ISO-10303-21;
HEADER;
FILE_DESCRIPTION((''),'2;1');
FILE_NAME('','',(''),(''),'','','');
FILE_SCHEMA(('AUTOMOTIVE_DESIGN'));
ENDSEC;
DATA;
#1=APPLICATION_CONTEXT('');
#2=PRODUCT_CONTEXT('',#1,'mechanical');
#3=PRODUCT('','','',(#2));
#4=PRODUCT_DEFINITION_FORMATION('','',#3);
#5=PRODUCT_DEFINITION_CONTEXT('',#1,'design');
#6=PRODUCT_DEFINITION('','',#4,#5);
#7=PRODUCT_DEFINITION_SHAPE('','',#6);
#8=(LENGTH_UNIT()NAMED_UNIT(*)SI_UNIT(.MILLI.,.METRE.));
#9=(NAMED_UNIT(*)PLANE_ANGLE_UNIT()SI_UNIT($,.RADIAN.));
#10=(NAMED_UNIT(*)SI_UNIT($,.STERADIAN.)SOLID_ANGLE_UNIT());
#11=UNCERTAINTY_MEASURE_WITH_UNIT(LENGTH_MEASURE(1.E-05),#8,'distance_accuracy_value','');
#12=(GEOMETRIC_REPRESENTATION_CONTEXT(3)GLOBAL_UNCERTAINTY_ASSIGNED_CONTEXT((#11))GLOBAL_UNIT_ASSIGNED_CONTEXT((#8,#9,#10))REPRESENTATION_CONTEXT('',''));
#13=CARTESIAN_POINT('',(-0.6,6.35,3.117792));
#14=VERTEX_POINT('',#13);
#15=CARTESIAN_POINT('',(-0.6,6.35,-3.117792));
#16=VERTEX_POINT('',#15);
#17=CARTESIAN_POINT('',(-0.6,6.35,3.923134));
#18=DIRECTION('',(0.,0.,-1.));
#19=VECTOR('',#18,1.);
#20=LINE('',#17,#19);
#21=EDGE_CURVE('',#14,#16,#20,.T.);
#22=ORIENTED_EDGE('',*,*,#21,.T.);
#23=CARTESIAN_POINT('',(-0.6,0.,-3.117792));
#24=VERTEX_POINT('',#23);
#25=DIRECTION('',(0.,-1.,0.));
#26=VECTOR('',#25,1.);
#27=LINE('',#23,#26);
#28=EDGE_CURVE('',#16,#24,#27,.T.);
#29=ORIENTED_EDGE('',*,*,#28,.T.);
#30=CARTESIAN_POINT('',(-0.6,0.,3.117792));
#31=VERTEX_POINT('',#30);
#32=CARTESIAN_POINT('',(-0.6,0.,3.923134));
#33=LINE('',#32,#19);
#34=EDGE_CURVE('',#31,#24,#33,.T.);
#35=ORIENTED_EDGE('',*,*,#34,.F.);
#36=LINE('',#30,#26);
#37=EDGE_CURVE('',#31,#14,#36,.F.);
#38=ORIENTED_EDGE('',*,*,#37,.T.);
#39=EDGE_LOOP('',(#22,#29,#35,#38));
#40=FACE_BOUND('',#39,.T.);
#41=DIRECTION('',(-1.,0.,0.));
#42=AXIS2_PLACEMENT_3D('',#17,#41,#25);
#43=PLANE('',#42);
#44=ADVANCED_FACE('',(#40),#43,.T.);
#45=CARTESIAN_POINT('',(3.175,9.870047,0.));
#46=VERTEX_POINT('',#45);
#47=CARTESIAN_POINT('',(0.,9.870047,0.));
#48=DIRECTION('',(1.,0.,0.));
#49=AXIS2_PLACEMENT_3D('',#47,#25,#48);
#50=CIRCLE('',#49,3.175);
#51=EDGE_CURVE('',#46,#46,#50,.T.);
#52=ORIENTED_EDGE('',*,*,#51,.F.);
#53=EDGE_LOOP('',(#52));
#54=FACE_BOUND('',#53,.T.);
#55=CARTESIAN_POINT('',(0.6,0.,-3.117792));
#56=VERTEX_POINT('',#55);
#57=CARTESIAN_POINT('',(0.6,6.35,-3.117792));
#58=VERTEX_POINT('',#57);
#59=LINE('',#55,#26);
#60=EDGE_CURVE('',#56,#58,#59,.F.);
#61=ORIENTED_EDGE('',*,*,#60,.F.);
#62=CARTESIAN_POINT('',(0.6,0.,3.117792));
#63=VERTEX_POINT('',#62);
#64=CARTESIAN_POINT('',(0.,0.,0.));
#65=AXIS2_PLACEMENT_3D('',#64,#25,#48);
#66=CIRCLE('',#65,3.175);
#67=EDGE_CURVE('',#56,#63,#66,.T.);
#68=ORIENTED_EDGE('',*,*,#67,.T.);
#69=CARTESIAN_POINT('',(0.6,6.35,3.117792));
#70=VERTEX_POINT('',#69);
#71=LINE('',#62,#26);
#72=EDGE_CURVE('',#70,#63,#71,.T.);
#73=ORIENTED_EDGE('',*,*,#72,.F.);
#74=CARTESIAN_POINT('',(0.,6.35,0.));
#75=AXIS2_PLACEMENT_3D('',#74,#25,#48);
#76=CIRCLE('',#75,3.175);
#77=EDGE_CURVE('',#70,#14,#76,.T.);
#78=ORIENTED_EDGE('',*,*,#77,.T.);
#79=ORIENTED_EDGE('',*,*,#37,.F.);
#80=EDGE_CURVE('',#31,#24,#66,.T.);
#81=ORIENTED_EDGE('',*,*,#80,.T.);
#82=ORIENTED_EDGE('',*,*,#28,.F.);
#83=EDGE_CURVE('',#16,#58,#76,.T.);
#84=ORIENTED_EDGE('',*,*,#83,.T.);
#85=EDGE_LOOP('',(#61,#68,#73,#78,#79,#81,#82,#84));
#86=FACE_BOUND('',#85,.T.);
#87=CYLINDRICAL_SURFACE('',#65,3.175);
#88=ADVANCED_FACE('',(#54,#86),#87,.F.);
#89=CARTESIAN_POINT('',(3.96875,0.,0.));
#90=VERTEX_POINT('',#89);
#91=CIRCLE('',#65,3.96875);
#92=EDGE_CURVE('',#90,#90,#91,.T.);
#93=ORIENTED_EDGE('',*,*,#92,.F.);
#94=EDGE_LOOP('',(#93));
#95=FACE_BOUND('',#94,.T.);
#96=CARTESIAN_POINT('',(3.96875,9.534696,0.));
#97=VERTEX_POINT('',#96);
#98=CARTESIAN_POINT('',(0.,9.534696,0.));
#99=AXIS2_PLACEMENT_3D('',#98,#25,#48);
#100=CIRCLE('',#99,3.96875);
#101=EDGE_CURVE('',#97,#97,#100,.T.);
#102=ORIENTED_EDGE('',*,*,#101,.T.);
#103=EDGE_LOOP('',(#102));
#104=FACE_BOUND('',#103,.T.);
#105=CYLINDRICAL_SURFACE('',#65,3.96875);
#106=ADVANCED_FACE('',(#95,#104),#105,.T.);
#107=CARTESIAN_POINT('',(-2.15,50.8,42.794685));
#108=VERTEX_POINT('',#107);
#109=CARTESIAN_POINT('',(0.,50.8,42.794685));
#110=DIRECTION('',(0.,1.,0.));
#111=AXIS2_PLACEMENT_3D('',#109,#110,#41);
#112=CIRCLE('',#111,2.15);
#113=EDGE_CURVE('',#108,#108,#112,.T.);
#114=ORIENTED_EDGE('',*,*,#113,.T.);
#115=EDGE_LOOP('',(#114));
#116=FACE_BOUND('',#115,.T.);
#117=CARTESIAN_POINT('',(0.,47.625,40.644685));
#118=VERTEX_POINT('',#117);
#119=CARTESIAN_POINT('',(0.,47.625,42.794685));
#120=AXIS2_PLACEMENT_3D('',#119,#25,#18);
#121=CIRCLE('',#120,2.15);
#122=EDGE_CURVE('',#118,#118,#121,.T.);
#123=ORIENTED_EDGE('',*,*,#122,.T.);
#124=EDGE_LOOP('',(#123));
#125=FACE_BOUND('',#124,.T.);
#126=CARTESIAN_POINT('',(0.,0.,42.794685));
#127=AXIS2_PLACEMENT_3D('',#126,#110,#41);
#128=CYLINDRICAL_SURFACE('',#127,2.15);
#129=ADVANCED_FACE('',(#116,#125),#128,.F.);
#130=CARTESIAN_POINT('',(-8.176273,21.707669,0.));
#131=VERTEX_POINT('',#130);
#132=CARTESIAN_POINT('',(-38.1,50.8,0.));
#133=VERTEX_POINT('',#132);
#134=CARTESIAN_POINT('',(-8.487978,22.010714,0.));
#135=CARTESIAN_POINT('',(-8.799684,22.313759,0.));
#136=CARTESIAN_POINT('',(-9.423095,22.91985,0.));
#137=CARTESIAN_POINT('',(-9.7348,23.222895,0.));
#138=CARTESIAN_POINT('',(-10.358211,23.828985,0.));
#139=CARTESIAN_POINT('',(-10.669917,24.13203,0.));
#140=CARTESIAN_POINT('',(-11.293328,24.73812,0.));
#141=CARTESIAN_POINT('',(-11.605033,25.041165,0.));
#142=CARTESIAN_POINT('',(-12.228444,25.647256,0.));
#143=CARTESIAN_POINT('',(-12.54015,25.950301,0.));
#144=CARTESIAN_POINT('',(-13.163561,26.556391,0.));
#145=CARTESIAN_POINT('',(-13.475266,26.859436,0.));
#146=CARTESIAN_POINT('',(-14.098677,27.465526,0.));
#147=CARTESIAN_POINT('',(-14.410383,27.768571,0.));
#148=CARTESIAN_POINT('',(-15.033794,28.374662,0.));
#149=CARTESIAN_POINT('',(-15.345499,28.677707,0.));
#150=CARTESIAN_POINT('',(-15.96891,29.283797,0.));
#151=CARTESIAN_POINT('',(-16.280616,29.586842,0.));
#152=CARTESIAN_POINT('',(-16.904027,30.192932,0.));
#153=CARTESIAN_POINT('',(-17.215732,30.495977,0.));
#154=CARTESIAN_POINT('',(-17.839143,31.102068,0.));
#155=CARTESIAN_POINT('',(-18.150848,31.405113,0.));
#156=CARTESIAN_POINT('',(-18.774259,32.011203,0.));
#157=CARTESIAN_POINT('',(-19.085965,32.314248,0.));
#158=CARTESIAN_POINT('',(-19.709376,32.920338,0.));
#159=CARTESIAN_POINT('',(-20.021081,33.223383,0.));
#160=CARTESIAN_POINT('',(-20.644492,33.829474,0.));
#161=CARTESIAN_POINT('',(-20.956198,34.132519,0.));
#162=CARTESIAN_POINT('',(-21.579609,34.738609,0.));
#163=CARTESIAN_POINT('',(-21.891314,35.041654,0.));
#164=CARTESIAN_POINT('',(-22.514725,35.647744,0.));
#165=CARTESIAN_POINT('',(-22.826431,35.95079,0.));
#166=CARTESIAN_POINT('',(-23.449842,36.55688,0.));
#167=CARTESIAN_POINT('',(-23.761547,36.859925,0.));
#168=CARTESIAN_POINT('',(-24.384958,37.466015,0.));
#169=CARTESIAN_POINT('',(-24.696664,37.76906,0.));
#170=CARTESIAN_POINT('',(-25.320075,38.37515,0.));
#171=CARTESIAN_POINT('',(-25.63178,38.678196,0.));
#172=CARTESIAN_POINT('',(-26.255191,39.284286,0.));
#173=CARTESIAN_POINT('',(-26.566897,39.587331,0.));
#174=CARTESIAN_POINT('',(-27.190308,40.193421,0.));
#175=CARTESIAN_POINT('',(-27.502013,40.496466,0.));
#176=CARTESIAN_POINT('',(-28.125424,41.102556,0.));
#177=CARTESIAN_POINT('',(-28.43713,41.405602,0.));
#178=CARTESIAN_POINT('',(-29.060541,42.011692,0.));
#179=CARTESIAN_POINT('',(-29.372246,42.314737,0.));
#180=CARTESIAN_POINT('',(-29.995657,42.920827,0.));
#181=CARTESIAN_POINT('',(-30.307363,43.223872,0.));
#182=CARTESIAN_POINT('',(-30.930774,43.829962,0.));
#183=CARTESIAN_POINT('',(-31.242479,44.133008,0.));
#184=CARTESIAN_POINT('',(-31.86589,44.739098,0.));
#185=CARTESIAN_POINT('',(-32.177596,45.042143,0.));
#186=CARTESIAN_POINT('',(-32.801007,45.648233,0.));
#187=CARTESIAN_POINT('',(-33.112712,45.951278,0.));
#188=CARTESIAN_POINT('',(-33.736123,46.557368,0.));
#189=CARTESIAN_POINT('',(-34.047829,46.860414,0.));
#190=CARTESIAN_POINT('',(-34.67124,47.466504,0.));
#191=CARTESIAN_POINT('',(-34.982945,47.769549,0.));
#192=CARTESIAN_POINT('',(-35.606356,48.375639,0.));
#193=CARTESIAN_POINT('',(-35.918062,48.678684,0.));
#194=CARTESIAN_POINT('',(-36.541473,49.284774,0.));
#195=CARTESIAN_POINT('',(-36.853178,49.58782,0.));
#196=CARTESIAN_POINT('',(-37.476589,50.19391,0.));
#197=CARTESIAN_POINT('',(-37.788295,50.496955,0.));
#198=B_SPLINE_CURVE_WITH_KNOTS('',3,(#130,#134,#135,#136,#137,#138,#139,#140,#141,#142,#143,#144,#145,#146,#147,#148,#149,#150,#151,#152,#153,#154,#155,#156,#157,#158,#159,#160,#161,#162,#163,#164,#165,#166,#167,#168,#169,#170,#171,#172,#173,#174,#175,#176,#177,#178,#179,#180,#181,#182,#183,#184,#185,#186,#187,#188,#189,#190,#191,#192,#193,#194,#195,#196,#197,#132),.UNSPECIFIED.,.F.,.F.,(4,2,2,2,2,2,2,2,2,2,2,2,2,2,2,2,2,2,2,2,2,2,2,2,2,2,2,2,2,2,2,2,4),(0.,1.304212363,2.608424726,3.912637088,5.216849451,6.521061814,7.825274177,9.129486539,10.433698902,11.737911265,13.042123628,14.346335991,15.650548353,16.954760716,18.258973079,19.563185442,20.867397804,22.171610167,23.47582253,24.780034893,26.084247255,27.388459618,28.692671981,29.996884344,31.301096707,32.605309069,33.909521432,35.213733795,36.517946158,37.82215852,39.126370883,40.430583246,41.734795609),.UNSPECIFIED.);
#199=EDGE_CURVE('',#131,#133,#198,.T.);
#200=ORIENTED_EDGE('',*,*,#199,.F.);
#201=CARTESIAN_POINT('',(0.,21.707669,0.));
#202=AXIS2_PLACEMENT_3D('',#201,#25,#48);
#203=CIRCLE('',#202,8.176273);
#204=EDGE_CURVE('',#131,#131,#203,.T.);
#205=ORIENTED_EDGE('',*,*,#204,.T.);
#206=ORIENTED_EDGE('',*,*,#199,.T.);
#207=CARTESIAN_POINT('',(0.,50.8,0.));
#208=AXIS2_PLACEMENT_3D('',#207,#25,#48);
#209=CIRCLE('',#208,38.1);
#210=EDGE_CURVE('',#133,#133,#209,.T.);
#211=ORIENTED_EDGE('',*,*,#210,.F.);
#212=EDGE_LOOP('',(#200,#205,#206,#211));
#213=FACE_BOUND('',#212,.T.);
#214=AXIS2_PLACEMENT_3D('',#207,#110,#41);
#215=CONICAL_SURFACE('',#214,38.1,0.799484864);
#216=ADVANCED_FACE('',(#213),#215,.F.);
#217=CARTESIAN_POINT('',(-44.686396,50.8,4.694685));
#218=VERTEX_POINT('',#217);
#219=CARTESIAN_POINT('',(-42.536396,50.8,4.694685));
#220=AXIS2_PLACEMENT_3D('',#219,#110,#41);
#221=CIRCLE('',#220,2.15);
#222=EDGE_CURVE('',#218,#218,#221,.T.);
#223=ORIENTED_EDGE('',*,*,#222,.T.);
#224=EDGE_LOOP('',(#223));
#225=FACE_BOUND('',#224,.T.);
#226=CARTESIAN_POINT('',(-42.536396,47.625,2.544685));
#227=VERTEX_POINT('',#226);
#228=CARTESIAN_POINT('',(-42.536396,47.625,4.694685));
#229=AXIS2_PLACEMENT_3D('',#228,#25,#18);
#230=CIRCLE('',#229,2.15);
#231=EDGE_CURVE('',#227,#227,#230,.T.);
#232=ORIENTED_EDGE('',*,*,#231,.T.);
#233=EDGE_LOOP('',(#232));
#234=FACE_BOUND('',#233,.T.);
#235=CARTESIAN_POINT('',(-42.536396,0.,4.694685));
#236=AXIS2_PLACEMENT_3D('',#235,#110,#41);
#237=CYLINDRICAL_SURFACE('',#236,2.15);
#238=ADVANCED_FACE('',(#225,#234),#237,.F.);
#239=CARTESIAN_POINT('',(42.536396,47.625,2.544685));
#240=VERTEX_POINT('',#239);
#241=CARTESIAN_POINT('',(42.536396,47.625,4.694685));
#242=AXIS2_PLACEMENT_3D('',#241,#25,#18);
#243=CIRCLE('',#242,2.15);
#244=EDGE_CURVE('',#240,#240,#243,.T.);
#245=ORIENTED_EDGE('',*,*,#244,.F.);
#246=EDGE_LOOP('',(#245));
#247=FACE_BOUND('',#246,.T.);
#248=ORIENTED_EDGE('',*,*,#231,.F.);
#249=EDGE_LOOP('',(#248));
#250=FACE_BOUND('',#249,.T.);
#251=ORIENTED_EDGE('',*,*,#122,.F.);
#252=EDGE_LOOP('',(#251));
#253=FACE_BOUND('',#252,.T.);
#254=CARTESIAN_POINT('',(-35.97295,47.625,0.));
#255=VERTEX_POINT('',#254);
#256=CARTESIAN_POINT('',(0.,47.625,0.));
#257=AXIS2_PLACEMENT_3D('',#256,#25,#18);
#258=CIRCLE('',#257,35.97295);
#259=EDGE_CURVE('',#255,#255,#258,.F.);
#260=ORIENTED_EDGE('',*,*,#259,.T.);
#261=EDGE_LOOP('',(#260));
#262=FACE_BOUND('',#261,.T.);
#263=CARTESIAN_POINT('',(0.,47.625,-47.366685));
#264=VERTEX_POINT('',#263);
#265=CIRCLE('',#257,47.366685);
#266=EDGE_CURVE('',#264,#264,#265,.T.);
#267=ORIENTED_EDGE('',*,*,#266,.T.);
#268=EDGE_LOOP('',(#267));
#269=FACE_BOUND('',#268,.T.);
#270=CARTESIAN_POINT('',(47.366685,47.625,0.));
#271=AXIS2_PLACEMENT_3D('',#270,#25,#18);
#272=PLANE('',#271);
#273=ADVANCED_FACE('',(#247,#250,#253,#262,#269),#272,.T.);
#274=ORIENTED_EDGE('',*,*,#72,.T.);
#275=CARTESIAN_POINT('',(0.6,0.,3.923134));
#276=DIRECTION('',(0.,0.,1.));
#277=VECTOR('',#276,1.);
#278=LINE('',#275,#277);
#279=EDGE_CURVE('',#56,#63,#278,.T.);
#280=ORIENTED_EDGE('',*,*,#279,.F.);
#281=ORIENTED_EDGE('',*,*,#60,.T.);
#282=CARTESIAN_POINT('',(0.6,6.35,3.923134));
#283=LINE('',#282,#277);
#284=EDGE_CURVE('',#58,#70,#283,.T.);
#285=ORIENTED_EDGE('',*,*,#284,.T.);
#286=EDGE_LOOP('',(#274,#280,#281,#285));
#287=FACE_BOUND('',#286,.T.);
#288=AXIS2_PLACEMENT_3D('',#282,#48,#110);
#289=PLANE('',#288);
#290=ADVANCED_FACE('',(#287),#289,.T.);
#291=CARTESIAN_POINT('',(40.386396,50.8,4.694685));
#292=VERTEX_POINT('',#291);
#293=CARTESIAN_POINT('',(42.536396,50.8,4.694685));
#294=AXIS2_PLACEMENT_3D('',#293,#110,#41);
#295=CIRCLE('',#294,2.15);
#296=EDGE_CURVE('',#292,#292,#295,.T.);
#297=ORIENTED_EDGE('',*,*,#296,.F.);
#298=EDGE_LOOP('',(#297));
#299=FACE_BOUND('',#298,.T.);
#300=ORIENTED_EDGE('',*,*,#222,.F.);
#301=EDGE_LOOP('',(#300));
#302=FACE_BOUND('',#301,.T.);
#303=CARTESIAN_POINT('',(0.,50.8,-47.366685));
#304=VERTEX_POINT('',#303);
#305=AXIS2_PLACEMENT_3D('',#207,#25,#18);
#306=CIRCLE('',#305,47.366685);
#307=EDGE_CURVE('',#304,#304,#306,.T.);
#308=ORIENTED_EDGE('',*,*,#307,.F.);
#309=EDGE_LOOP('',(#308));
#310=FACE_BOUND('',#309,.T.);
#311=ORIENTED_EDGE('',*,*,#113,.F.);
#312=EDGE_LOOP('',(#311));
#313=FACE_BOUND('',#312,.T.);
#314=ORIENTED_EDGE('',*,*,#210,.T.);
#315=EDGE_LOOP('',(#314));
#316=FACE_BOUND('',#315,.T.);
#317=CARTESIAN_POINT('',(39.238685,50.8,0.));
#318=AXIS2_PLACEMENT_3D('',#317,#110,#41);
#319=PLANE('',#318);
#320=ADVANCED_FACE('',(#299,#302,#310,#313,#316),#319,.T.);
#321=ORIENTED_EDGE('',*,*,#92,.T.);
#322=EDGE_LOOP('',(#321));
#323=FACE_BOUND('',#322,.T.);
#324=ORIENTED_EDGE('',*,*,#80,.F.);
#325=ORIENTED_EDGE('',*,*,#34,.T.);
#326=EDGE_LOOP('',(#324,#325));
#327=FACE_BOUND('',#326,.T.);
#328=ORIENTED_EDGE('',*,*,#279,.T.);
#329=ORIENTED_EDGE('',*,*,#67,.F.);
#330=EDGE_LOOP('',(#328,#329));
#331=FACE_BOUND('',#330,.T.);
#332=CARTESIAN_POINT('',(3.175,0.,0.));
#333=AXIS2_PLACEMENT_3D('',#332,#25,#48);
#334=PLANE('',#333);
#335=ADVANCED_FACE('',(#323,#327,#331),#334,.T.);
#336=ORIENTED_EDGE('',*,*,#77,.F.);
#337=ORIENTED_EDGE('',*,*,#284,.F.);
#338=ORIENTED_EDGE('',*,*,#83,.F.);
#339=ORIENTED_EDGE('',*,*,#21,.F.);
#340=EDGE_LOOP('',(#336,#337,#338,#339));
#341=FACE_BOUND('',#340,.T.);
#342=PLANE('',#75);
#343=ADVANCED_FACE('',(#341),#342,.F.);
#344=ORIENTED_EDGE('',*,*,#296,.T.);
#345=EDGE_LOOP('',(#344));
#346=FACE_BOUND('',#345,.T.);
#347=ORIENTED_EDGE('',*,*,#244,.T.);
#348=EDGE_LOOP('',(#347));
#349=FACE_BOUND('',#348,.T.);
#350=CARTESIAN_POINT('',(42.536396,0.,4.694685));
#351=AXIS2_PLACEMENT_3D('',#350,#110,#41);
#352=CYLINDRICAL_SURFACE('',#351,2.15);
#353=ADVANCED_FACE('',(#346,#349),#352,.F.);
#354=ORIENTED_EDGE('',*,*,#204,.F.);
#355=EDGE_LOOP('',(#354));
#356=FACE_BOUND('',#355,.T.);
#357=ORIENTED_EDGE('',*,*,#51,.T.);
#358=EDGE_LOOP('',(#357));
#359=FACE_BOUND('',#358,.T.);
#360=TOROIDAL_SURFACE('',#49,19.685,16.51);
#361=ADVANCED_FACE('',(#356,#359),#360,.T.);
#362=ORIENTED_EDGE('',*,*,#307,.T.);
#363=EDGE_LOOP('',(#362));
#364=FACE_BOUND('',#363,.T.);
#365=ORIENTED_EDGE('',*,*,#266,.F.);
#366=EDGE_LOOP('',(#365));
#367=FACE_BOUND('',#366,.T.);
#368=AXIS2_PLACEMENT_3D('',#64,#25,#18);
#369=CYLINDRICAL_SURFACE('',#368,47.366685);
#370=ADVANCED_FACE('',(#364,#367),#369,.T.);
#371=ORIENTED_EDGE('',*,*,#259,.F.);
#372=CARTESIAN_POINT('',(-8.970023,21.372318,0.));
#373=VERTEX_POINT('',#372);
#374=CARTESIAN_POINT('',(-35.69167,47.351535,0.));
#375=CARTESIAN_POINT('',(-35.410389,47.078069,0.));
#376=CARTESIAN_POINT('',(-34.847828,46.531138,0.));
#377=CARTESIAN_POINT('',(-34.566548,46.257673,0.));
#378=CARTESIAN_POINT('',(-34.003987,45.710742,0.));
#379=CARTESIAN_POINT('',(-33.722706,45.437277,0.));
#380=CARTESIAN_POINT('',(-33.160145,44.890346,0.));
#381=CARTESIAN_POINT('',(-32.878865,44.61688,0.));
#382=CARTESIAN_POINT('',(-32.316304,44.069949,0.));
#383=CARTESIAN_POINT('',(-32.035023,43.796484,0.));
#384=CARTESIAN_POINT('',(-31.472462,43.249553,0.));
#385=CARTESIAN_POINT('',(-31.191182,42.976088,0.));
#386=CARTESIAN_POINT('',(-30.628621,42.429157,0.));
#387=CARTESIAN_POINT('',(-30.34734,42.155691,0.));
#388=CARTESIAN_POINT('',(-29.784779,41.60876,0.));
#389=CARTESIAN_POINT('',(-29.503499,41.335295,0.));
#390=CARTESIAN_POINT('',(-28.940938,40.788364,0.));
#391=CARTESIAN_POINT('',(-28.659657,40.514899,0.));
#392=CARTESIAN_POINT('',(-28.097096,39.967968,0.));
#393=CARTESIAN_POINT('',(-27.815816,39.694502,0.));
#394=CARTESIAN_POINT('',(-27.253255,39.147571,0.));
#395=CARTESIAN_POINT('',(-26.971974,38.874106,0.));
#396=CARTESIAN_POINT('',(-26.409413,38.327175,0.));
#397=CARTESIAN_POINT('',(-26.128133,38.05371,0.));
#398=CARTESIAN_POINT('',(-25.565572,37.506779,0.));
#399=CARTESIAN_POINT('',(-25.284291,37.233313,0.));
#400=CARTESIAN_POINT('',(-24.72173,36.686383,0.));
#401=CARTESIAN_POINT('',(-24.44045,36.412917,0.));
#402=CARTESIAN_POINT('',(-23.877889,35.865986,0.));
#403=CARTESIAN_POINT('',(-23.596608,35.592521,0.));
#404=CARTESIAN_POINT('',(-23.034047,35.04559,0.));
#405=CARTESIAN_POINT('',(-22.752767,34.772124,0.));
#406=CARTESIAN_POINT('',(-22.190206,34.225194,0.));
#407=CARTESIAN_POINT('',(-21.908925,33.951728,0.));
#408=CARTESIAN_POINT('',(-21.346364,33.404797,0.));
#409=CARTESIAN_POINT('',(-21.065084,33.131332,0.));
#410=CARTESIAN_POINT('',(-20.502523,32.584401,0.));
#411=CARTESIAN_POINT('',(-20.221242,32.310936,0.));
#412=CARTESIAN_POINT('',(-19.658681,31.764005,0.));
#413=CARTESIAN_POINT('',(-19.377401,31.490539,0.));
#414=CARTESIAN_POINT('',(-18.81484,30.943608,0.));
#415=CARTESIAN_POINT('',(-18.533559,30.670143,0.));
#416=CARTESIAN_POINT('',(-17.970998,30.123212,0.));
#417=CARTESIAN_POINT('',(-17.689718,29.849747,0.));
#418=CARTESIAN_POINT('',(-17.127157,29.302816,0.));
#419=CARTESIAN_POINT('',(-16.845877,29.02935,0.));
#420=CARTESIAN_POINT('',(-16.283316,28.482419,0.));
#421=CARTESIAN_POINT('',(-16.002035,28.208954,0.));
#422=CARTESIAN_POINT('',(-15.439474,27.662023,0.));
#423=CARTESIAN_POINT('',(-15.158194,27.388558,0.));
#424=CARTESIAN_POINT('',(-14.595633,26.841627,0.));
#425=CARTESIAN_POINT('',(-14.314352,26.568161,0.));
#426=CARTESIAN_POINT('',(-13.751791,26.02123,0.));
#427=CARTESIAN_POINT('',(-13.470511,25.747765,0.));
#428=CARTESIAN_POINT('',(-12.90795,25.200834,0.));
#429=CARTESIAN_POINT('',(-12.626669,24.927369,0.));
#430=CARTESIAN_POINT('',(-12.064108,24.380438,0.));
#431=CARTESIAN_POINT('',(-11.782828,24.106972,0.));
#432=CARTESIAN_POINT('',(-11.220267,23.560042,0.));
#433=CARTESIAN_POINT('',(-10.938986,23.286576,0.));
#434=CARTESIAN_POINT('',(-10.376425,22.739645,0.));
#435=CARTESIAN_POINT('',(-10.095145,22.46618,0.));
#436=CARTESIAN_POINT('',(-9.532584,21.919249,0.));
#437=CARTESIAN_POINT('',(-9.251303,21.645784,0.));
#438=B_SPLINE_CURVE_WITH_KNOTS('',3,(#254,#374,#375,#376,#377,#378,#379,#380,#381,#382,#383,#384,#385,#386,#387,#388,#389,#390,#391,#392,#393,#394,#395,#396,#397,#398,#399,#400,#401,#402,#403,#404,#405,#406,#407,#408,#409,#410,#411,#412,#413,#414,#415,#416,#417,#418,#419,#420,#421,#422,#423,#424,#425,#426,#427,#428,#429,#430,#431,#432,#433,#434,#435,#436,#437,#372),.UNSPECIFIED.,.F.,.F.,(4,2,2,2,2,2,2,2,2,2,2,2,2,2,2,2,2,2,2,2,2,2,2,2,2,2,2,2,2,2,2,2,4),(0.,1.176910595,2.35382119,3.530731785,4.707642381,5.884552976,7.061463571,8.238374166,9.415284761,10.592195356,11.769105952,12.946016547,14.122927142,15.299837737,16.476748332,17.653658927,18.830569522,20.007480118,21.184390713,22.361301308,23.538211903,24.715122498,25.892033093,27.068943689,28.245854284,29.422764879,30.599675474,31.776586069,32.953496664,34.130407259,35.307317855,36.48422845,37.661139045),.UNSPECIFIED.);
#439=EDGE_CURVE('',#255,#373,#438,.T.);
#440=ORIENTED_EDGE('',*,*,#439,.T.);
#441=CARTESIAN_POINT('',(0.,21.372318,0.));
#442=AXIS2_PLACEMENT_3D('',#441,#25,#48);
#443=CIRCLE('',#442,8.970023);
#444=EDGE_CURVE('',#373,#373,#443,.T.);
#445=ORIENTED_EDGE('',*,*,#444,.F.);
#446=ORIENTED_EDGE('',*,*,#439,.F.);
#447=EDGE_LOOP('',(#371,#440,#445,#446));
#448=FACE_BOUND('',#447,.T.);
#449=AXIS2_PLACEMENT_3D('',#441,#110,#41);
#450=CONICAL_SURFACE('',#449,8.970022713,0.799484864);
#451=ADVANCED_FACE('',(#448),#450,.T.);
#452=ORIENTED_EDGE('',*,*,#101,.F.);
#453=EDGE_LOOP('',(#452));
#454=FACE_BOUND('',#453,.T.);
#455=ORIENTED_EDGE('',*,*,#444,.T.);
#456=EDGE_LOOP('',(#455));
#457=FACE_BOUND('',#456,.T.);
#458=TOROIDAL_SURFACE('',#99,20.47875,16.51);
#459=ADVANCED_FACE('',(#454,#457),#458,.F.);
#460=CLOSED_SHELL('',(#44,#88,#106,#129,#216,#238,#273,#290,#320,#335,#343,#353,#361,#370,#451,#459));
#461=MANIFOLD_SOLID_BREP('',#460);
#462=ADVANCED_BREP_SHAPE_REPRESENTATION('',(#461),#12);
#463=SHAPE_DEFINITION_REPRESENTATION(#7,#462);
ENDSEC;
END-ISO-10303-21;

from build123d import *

# Parameters (mm, degrees)
ESQUISSE3_R             = 2.15
ENL_V_MAT_EXTRU_1_DEPTH = 85.070480268
ESQUISSE4_W             = 1.2
ESQUISSE4_H             = 7.846267026
BOSS_EXTRU_1_DEPTH      = 6.35


with BuildPart() as part:
    # Esquisse1 → Révolution1 (revolve)
    with BuildSketch(Plane.XY):
        with BuildLine():
            Line((3.96875, 0), (3.96875, 9.534696006))
            ThreePointArc((3.96875, 9.534696006), (5.270377511, 15.960075858), (8.970022713, 21.372318074))
            Line((8.970022713, 21.372318074), (39.238684771, 50.8))
            Line((39.238684771, 50.8), (38.1, 50.8))
            Line((38.1, 50.8), (8.176272713, 21.707669228))
            ThreePointArc((8.176272713, 21.707669228), (4.476627511, 16.295427012), (3.175, 9.87004716))
            Line((3.175, 9.87004716), (3.175, 0))
            Line((3.175, 0), (3.96875, 0))
        make_face()
    revolve(axis=Axis((0, 0, 0), (0, 1, 0)))

    # Esquisse2 → Révolution2 (revolve)
    with BuildSketch(Plane.XY, mode=Mode.PRIVATE) as r_volution2_sk:
        Polygon((39.238684771, 50.8), (47.366684771, 50.8), (47.366684771, 47.625), (35.97295007, 47.625), align=None)
    revolve(r_volution2_sk.sketch.rotate(Axis((0, 0, 0), (0, 1, 0)), 180), axis=Axis((0, 0, 0), (0, 1, 0)))

    # Esquisse3 → Enlèv. mat.-Extru.1 (cut, through all)
    with BuildSketch(Plane(origin=(0, 50.8, 0), x_dir=(1, 0, 0), z_dir=(0, 1, 0))):
        with Locations(Location((0, -42.794684771, 0), (0, 0, 180))):
            Circle(ESQUISSE3_R)
        with Locations(Location((-42.53639594, -4.694684771, 0), (0, 0, 180))):
            Circle(ESQUISSE3_R)
        with Locations(Location((42.53639594, -4.694684771, 0), (0, 0, 180))):
            Circle(ESQUISSE3_R)
    extrude(amount=-ENL_V_MAT_EXTRU_1_DEPTH, mode=Mode.SUBTRACT)

    # Esquisse4 → Boss.-Extru.1 (add)
    with BuildSketch(Plane.XZ):
        Rectangle(ESQUISSE4_W, ESQUISSE4_H)
    extrude(amount=-BOSS_EXTRU_1_DEPTH)


solid = part.part
